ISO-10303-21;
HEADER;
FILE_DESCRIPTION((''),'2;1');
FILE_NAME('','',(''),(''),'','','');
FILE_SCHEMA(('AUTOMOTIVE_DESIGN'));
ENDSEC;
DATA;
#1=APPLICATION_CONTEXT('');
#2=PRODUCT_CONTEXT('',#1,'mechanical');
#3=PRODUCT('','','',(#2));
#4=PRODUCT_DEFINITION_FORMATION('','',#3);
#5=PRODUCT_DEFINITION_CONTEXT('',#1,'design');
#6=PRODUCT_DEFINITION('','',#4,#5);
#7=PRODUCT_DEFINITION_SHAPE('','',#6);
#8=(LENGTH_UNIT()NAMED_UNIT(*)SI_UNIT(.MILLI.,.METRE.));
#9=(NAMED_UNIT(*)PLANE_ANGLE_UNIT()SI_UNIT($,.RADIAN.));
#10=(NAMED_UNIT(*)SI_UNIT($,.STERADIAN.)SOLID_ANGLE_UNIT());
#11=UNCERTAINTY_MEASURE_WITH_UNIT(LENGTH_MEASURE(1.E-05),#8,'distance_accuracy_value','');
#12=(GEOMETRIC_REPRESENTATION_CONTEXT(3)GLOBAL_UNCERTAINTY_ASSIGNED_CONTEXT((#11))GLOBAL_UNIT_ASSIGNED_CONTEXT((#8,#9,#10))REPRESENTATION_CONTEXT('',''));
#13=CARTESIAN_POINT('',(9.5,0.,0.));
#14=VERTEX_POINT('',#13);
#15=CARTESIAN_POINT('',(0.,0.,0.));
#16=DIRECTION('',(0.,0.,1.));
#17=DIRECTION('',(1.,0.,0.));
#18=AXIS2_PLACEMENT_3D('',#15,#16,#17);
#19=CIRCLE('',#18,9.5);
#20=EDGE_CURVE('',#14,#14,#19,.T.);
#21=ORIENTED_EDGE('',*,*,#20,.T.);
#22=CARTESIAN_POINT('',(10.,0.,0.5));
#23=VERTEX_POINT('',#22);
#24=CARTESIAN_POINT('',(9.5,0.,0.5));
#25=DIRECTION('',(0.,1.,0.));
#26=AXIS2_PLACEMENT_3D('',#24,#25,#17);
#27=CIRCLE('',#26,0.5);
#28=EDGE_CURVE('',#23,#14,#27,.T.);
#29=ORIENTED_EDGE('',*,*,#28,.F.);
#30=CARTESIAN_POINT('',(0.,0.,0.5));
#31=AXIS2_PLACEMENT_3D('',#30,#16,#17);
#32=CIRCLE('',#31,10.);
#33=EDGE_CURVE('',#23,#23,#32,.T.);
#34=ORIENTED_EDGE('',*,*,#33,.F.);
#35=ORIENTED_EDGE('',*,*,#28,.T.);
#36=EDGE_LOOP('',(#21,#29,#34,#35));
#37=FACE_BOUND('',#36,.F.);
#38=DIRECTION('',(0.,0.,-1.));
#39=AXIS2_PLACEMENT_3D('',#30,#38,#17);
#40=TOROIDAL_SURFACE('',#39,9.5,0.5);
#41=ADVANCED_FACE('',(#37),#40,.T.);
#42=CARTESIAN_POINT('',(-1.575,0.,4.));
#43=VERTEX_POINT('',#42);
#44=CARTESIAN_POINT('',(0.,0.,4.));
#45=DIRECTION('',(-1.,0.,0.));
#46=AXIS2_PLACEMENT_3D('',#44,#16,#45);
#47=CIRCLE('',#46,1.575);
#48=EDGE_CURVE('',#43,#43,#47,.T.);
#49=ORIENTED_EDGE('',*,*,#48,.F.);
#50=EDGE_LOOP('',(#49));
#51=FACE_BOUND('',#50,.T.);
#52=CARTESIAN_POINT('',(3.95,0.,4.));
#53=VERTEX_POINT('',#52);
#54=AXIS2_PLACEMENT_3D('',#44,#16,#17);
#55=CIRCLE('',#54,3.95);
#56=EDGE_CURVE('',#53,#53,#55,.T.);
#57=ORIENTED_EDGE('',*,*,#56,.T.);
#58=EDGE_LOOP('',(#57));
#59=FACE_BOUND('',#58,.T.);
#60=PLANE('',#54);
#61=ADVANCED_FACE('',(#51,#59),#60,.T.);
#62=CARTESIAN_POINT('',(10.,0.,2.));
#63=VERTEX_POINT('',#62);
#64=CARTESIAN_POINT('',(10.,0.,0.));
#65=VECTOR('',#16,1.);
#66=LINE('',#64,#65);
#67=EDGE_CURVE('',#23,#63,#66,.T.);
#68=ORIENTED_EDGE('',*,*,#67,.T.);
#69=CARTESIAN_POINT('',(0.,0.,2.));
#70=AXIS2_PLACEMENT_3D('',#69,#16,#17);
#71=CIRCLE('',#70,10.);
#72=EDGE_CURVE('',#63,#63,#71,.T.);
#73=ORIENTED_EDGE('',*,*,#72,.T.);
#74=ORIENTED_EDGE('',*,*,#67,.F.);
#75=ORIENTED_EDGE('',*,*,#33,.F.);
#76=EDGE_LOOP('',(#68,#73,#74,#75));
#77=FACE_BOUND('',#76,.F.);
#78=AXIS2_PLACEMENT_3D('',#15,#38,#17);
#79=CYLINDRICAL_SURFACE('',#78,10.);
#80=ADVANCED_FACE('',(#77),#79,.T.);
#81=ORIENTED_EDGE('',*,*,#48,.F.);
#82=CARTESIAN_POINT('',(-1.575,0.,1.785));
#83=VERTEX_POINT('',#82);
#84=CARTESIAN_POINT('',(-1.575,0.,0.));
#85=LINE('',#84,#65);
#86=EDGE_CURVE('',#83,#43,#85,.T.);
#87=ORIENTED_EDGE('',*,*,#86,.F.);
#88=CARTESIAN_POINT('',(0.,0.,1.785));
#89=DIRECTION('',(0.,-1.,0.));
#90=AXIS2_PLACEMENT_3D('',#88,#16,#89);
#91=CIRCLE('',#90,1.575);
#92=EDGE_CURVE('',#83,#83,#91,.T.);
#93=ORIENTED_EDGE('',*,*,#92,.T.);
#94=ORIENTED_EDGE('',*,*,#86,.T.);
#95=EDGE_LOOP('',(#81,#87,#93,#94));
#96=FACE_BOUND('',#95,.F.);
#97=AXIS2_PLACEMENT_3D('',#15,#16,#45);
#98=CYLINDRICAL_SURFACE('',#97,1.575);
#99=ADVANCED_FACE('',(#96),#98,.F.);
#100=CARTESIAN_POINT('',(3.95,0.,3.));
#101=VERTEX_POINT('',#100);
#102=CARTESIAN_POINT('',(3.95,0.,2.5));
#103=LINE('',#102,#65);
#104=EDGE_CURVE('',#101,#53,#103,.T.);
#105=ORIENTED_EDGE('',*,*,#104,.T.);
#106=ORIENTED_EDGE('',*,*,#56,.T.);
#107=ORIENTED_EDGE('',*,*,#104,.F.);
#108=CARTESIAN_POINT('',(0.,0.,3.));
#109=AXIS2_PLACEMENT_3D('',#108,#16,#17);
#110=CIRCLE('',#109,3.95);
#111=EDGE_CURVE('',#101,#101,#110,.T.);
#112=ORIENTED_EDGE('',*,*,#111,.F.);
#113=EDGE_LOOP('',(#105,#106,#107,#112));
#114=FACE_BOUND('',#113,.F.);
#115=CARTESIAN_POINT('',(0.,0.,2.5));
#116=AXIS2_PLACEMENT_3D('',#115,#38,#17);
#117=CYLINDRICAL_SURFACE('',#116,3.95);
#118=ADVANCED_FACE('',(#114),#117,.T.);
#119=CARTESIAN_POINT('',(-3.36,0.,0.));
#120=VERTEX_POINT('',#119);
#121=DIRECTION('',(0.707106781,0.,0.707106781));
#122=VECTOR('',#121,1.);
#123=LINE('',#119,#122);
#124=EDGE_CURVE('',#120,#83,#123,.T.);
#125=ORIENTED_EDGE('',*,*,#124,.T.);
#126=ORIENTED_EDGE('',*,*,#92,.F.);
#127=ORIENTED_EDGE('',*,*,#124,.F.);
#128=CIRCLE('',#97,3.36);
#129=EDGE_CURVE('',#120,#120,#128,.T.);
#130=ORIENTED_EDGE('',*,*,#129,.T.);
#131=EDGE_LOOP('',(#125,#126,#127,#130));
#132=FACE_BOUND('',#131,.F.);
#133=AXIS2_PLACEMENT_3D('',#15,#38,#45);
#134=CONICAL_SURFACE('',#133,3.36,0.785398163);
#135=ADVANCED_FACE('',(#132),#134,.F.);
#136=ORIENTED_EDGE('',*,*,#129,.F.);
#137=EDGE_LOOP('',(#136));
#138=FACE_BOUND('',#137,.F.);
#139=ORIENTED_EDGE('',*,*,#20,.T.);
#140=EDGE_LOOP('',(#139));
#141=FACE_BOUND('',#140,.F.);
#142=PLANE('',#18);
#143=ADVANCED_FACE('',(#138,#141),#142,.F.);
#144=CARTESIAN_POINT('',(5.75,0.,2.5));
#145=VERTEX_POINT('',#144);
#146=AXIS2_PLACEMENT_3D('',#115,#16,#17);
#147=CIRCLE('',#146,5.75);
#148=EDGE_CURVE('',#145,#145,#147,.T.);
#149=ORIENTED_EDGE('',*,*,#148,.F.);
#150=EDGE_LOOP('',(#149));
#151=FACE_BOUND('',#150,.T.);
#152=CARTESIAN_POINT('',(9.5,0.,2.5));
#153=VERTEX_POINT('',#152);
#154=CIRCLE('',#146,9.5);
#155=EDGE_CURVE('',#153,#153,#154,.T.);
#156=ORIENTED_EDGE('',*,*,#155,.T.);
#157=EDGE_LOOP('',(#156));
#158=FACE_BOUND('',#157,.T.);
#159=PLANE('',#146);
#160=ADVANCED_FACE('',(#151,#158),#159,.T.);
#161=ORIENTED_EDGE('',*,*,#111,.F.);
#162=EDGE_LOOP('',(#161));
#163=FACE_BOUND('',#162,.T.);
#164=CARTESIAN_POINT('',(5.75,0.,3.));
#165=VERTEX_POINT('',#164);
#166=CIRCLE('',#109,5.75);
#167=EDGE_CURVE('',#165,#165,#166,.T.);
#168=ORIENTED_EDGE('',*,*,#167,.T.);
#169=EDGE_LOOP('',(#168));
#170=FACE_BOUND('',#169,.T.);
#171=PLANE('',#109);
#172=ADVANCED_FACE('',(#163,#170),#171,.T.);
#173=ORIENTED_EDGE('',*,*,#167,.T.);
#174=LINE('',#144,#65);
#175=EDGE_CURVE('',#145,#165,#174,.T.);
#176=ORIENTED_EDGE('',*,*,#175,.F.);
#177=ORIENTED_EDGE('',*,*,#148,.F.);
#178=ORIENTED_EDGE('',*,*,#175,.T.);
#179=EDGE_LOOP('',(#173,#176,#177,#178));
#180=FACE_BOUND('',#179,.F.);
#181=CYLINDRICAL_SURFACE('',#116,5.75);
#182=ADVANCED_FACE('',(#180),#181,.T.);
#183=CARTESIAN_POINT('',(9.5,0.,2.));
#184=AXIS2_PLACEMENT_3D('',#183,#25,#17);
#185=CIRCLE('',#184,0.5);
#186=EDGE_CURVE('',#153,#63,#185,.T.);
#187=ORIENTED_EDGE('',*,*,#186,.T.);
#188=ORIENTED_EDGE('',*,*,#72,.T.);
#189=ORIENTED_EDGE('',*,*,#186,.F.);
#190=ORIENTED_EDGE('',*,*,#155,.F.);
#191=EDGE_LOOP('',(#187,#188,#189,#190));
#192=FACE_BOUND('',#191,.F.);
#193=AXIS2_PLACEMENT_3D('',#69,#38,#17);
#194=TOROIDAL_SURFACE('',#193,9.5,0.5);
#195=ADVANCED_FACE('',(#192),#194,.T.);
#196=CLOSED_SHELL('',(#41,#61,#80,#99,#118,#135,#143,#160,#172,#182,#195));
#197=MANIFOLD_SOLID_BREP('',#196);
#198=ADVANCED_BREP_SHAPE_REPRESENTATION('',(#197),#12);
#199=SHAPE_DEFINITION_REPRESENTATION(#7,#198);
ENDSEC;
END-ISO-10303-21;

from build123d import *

# Parameters (mm, degrees)
F0_R           = 10
F1_DEPTH       = 2.5
F2_R           = 3.95
F3_DEPTH       = 1.5
F2_R_2         = 5.75
F4_DEPTH       = 0.5
F5_R           = 0.5
F6_D           = 3.15
F6_CSINK_D     = 6.72
F6_CSINK_ANGLE = 90


with BuildPart() as f1:
    # F0 (on Top) → F1 (new body)
    with BuildSketch(Plane.XY):
        Circle(F0_R)
    extrude(amount=F1_DEPTH)

    # F2 (on face) → F3 (join)
    with BuildSketch(Plane.XY.offset(2.5)):
        Circle(F2_R)
    extrude(amount=F3_DEPTH)

    # F2 (on face) → F4 (join)
    with BuildSketch(Plane.XY.offset(2.5)):
        Circle(F2_R_2)
        Circle(F2_R, mode=Mode.SUBTRACT)
    extrude(amount=F4_DEPTH)

    # F5
    f5_edges = [f1.edges().sort_by_distance(p)[0] for p in [
        (-10, 0, 0),
        (-10, 0, 2.5),
    ]]
    fillet(f5_edges, radius=F5_R)

    # F6 (through all)
    with Locations(Plane(origin=(0, 0, 0), x_dir=(1, 0, 0), z_dir=(0, 0, -1))):
        with Locations((0, 0)):
            CounterSinkHole(F6_D / 2, F6_CSINK_D / 2, counter_sink_angle=F6_CSINK_ANGLE)


solid = f1.part
